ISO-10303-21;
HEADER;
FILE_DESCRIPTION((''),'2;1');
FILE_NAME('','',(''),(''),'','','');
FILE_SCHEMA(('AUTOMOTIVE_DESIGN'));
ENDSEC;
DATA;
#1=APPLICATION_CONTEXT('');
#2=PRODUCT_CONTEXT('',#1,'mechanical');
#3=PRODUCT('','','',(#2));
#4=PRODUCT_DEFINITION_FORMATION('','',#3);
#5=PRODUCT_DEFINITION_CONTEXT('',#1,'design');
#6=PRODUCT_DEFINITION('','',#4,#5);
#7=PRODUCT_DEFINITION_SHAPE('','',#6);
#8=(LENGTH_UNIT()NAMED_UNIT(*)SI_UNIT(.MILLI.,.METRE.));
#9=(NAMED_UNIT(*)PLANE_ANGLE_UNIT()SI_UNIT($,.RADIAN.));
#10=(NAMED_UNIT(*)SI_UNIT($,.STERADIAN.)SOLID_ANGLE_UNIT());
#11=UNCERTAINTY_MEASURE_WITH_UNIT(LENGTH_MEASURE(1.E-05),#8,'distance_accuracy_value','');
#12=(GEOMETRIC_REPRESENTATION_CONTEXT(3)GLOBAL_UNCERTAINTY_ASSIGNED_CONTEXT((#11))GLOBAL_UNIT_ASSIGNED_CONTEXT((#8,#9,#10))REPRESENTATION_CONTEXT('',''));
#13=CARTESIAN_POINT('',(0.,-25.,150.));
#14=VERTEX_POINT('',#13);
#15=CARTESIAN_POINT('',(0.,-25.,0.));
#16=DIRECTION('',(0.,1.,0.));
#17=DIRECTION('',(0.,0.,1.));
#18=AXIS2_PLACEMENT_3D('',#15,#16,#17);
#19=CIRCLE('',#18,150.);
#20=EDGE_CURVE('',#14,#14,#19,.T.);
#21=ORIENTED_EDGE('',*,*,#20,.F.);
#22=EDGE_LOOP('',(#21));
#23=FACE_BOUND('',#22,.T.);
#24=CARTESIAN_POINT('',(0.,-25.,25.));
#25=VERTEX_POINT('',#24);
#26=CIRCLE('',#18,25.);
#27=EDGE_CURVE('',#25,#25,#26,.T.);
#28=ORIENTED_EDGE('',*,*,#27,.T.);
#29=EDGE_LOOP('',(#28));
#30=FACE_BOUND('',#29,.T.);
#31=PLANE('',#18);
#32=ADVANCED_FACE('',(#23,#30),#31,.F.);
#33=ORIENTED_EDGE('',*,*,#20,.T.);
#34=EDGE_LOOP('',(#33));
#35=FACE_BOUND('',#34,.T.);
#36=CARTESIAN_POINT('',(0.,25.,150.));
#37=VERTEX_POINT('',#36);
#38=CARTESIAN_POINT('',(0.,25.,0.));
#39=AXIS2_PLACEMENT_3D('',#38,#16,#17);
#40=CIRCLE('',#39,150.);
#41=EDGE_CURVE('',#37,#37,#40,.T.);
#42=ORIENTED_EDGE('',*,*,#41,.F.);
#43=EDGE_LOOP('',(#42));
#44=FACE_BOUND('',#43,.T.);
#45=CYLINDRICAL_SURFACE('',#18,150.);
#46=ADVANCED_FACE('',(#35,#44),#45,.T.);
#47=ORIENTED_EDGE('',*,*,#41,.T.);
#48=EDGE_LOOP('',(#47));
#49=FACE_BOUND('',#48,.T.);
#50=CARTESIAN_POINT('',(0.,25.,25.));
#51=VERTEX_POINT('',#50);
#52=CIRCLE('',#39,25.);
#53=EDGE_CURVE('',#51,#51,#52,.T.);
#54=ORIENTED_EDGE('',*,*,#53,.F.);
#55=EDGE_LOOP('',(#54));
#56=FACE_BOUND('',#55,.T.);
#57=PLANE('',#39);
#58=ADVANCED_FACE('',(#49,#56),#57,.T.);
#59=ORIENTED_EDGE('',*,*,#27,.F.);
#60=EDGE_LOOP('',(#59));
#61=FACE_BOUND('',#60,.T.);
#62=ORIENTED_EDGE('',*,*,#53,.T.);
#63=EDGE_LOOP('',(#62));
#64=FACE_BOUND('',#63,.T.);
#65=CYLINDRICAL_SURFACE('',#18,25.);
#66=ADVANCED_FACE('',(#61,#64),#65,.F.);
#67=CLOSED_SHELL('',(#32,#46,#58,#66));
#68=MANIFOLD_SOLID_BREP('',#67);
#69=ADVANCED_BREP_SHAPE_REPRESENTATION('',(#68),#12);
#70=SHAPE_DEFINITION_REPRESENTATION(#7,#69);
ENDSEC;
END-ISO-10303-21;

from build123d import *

# Parameters (mm, degrees)
SKETCH1_R                = 150
BOSS_EXTRUDE1_DEPTH      = 25
BOSS_EXTRUDE1_DEPTH_BACK = 25
SKETCH2_R                = 25
CUT_EXTRUDE2_DEPTH       = 26
CUT_EXTRUDE2_DEPTH_BACK  = 26


with BuildPart() as part:
    # Sketch1 → Boss-Extrude1 (new body, two sides)
    with BuildSketch(Plane(origin=(0, 0, 0), x_dir=(1, 0, 0), z_dir=(0, 1, 0))) as boss_extrude1_sk:
        Circle(SKETCH1_R)
    extrude(amount=BOSS_EXTRUDE1_DEPTH)
    extrude(boss_extrude1_sk.sketch, amount=-BOSS_EXTRUDE1_DEPTH_BACK)

    # Sketch2 → Cut-Extrude2 (cut, two sides)
    with BuildSketch(Plane(origin=(0, 0, 0), x_dir=(1, 0, 0), z_dir=(0, 1, 0))) as cut_extrude2_sk:
        Circle(SKETCH2_R)
    extrude(amount=CUT_EXTRUDE2_DEPTH, mode=Mode.SUBTRACT)
    extrude(cut_extrude2_sk.sketch, amount=-CUT_EXTRUDE2_DEPTH_BACK, mode=Mode.SUBTRACT)


solid = part.part
